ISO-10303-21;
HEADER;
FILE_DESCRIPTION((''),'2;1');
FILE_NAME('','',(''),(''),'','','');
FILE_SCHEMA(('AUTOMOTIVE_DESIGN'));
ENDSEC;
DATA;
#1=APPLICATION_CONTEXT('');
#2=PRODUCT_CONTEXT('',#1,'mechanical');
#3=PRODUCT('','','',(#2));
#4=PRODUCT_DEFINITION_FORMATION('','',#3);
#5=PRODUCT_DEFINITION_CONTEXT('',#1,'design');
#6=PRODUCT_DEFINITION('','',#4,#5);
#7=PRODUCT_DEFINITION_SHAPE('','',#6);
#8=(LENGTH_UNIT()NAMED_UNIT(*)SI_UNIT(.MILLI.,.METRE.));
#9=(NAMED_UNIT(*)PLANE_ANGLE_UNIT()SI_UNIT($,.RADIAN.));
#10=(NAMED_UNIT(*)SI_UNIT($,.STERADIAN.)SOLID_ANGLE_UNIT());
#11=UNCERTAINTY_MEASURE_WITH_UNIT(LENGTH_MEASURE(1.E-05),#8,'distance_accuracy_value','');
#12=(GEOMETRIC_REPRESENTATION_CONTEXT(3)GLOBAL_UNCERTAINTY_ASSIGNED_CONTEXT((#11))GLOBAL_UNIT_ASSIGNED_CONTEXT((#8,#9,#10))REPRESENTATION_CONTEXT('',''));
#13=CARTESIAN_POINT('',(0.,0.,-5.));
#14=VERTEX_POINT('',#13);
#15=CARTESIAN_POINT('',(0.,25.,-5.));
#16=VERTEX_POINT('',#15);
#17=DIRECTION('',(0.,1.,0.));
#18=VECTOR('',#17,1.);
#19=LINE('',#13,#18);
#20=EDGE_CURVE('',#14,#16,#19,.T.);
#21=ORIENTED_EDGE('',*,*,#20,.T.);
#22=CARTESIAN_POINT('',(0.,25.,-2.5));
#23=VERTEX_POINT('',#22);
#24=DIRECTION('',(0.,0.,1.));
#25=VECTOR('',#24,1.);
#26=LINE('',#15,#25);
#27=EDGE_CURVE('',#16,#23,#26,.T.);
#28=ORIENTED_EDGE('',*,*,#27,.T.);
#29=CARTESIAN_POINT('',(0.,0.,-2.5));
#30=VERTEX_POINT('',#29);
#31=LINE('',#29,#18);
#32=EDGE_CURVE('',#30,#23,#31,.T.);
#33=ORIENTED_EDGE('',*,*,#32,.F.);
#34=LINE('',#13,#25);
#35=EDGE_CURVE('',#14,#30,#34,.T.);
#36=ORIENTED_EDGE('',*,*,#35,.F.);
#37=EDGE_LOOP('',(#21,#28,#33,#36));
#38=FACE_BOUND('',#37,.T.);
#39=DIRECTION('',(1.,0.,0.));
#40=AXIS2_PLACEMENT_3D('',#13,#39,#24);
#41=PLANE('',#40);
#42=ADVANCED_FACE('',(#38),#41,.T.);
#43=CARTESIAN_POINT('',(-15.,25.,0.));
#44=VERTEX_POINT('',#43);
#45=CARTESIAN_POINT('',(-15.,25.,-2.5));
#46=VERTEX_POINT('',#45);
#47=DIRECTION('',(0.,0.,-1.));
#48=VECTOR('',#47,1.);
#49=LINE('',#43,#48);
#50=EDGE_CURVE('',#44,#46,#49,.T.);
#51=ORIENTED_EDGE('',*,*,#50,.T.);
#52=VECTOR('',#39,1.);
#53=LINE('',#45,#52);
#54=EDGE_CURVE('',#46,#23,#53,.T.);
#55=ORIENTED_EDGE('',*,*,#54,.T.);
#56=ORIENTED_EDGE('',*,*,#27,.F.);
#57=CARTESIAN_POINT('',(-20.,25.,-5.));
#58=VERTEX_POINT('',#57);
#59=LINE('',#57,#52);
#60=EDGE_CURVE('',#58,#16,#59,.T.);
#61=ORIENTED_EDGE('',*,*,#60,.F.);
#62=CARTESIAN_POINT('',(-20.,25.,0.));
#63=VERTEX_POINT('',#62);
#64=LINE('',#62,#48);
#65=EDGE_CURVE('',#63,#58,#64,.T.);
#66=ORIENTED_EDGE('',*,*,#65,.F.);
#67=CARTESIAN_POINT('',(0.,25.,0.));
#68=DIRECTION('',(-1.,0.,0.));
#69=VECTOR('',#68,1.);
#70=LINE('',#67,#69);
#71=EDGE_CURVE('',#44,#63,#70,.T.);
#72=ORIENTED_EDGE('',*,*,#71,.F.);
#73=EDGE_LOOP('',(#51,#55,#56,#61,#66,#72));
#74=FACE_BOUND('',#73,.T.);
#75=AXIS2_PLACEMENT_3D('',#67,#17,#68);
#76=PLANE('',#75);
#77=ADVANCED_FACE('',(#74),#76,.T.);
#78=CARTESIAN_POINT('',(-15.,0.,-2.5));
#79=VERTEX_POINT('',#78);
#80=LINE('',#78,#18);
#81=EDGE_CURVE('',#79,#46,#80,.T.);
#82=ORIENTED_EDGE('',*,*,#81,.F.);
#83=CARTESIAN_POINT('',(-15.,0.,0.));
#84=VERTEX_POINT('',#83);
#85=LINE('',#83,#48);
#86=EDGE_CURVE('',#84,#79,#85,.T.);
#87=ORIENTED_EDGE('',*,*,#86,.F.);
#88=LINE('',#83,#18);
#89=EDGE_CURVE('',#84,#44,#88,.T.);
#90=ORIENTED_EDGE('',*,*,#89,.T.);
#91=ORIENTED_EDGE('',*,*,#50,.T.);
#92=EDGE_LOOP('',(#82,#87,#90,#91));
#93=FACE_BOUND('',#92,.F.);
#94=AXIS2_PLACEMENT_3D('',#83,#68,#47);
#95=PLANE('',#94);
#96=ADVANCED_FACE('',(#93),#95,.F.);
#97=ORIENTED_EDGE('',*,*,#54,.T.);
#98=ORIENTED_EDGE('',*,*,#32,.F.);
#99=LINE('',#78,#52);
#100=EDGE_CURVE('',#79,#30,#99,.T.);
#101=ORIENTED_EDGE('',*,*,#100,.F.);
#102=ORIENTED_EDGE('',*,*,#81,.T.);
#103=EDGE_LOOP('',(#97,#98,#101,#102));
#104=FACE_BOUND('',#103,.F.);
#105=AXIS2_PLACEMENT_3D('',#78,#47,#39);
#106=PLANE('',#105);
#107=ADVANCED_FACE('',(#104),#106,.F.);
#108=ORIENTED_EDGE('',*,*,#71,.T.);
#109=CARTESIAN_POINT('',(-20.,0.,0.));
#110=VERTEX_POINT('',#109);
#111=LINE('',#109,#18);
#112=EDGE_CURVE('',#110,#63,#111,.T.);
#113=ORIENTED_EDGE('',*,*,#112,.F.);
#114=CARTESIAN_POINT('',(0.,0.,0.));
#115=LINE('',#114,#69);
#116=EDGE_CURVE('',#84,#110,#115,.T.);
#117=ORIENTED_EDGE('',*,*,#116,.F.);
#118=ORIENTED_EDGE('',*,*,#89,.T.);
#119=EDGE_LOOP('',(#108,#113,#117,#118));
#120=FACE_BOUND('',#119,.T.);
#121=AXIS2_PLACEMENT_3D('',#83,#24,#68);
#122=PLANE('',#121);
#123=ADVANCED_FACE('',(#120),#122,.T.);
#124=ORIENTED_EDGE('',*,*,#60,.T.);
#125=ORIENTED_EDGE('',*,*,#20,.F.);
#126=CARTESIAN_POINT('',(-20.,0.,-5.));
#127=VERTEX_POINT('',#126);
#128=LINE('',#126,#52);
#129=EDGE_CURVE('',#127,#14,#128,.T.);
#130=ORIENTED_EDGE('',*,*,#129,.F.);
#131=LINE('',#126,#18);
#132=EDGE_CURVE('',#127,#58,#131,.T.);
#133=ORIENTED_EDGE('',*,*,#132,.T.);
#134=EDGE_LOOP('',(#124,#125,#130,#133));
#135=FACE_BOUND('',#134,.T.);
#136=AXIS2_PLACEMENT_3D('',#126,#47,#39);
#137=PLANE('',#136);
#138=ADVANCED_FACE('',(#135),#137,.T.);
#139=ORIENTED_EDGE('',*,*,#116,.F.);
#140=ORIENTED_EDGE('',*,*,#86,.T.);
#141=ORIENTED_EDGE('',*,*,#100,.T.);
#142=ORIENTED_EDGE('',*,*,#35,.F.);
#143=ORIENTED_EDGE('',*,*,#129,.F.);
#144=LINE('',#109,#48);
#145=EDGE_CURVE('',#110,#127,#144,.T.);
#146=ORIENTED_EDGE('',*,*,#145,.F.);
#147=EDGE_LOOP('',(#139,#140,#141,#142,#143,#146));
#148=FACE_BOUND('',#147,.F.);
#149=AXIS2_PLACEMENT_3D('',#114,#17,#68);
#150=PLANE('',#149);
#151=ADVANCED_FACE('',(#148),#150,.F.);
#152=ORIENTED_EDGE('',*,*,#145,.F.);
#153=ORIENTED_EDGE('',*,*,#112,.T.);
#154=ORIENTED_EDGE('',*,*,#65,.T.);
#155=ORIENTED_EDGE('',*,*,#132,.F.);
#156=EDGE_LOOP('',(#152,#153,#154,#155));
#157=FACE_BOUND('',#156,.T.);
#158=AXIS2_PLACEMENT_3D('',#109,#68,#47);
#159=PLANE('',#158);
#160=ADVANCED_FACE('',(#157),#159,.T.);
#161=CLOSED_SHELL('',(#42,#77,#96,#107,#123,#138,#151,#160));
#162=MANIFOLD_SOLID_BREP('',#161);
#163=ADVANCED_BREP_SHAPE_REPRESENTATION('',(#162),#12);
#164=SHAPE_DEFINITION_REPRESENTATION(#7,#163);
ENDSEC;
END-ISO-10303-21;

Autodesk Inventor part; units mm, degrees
ref_plane "YZ Plane" through (0, 0, 0) normal (1, 0, 0) x (0, 1, 0)
ref_plane "XZ Plane" through (0, 0, 0) normal (0, 1, 0) x (-1, 0, 0)
ref_plane "XY Plane" through (0, 0, 0) normal (0, 0, 1) x (1, 0, 0)
sketch "Sketch1" plane through (0, 0, 0) normal (0, 1, 0) x (-1, 0, 0)
  line L0 (0, 0) -> (20, 0)
  line L1 (20, 0) -> (20, -5)
  line L2 (20, -5) -> (0, -5)
  line L3 (0, -5) -> (0, 0)
  line L4 (0, 0) -> (15, 0)
  line L5 (15, 0) -> (15, -2.5)
  line L6 (15, -2.5) -> (0, -2.5)
  line L7 (0, -2.5) -> (0, 0)
  dimension "d0" = 20
  dimension "d1" = 5
  dimension "d2" = 15
  dimension "d3" = 2.5
extrude "Extrusion1" add sketch "Sketch1" along normal blind 25 contours L0 L1 L2 L3 L6 L5
properties part number "brick-clip"
